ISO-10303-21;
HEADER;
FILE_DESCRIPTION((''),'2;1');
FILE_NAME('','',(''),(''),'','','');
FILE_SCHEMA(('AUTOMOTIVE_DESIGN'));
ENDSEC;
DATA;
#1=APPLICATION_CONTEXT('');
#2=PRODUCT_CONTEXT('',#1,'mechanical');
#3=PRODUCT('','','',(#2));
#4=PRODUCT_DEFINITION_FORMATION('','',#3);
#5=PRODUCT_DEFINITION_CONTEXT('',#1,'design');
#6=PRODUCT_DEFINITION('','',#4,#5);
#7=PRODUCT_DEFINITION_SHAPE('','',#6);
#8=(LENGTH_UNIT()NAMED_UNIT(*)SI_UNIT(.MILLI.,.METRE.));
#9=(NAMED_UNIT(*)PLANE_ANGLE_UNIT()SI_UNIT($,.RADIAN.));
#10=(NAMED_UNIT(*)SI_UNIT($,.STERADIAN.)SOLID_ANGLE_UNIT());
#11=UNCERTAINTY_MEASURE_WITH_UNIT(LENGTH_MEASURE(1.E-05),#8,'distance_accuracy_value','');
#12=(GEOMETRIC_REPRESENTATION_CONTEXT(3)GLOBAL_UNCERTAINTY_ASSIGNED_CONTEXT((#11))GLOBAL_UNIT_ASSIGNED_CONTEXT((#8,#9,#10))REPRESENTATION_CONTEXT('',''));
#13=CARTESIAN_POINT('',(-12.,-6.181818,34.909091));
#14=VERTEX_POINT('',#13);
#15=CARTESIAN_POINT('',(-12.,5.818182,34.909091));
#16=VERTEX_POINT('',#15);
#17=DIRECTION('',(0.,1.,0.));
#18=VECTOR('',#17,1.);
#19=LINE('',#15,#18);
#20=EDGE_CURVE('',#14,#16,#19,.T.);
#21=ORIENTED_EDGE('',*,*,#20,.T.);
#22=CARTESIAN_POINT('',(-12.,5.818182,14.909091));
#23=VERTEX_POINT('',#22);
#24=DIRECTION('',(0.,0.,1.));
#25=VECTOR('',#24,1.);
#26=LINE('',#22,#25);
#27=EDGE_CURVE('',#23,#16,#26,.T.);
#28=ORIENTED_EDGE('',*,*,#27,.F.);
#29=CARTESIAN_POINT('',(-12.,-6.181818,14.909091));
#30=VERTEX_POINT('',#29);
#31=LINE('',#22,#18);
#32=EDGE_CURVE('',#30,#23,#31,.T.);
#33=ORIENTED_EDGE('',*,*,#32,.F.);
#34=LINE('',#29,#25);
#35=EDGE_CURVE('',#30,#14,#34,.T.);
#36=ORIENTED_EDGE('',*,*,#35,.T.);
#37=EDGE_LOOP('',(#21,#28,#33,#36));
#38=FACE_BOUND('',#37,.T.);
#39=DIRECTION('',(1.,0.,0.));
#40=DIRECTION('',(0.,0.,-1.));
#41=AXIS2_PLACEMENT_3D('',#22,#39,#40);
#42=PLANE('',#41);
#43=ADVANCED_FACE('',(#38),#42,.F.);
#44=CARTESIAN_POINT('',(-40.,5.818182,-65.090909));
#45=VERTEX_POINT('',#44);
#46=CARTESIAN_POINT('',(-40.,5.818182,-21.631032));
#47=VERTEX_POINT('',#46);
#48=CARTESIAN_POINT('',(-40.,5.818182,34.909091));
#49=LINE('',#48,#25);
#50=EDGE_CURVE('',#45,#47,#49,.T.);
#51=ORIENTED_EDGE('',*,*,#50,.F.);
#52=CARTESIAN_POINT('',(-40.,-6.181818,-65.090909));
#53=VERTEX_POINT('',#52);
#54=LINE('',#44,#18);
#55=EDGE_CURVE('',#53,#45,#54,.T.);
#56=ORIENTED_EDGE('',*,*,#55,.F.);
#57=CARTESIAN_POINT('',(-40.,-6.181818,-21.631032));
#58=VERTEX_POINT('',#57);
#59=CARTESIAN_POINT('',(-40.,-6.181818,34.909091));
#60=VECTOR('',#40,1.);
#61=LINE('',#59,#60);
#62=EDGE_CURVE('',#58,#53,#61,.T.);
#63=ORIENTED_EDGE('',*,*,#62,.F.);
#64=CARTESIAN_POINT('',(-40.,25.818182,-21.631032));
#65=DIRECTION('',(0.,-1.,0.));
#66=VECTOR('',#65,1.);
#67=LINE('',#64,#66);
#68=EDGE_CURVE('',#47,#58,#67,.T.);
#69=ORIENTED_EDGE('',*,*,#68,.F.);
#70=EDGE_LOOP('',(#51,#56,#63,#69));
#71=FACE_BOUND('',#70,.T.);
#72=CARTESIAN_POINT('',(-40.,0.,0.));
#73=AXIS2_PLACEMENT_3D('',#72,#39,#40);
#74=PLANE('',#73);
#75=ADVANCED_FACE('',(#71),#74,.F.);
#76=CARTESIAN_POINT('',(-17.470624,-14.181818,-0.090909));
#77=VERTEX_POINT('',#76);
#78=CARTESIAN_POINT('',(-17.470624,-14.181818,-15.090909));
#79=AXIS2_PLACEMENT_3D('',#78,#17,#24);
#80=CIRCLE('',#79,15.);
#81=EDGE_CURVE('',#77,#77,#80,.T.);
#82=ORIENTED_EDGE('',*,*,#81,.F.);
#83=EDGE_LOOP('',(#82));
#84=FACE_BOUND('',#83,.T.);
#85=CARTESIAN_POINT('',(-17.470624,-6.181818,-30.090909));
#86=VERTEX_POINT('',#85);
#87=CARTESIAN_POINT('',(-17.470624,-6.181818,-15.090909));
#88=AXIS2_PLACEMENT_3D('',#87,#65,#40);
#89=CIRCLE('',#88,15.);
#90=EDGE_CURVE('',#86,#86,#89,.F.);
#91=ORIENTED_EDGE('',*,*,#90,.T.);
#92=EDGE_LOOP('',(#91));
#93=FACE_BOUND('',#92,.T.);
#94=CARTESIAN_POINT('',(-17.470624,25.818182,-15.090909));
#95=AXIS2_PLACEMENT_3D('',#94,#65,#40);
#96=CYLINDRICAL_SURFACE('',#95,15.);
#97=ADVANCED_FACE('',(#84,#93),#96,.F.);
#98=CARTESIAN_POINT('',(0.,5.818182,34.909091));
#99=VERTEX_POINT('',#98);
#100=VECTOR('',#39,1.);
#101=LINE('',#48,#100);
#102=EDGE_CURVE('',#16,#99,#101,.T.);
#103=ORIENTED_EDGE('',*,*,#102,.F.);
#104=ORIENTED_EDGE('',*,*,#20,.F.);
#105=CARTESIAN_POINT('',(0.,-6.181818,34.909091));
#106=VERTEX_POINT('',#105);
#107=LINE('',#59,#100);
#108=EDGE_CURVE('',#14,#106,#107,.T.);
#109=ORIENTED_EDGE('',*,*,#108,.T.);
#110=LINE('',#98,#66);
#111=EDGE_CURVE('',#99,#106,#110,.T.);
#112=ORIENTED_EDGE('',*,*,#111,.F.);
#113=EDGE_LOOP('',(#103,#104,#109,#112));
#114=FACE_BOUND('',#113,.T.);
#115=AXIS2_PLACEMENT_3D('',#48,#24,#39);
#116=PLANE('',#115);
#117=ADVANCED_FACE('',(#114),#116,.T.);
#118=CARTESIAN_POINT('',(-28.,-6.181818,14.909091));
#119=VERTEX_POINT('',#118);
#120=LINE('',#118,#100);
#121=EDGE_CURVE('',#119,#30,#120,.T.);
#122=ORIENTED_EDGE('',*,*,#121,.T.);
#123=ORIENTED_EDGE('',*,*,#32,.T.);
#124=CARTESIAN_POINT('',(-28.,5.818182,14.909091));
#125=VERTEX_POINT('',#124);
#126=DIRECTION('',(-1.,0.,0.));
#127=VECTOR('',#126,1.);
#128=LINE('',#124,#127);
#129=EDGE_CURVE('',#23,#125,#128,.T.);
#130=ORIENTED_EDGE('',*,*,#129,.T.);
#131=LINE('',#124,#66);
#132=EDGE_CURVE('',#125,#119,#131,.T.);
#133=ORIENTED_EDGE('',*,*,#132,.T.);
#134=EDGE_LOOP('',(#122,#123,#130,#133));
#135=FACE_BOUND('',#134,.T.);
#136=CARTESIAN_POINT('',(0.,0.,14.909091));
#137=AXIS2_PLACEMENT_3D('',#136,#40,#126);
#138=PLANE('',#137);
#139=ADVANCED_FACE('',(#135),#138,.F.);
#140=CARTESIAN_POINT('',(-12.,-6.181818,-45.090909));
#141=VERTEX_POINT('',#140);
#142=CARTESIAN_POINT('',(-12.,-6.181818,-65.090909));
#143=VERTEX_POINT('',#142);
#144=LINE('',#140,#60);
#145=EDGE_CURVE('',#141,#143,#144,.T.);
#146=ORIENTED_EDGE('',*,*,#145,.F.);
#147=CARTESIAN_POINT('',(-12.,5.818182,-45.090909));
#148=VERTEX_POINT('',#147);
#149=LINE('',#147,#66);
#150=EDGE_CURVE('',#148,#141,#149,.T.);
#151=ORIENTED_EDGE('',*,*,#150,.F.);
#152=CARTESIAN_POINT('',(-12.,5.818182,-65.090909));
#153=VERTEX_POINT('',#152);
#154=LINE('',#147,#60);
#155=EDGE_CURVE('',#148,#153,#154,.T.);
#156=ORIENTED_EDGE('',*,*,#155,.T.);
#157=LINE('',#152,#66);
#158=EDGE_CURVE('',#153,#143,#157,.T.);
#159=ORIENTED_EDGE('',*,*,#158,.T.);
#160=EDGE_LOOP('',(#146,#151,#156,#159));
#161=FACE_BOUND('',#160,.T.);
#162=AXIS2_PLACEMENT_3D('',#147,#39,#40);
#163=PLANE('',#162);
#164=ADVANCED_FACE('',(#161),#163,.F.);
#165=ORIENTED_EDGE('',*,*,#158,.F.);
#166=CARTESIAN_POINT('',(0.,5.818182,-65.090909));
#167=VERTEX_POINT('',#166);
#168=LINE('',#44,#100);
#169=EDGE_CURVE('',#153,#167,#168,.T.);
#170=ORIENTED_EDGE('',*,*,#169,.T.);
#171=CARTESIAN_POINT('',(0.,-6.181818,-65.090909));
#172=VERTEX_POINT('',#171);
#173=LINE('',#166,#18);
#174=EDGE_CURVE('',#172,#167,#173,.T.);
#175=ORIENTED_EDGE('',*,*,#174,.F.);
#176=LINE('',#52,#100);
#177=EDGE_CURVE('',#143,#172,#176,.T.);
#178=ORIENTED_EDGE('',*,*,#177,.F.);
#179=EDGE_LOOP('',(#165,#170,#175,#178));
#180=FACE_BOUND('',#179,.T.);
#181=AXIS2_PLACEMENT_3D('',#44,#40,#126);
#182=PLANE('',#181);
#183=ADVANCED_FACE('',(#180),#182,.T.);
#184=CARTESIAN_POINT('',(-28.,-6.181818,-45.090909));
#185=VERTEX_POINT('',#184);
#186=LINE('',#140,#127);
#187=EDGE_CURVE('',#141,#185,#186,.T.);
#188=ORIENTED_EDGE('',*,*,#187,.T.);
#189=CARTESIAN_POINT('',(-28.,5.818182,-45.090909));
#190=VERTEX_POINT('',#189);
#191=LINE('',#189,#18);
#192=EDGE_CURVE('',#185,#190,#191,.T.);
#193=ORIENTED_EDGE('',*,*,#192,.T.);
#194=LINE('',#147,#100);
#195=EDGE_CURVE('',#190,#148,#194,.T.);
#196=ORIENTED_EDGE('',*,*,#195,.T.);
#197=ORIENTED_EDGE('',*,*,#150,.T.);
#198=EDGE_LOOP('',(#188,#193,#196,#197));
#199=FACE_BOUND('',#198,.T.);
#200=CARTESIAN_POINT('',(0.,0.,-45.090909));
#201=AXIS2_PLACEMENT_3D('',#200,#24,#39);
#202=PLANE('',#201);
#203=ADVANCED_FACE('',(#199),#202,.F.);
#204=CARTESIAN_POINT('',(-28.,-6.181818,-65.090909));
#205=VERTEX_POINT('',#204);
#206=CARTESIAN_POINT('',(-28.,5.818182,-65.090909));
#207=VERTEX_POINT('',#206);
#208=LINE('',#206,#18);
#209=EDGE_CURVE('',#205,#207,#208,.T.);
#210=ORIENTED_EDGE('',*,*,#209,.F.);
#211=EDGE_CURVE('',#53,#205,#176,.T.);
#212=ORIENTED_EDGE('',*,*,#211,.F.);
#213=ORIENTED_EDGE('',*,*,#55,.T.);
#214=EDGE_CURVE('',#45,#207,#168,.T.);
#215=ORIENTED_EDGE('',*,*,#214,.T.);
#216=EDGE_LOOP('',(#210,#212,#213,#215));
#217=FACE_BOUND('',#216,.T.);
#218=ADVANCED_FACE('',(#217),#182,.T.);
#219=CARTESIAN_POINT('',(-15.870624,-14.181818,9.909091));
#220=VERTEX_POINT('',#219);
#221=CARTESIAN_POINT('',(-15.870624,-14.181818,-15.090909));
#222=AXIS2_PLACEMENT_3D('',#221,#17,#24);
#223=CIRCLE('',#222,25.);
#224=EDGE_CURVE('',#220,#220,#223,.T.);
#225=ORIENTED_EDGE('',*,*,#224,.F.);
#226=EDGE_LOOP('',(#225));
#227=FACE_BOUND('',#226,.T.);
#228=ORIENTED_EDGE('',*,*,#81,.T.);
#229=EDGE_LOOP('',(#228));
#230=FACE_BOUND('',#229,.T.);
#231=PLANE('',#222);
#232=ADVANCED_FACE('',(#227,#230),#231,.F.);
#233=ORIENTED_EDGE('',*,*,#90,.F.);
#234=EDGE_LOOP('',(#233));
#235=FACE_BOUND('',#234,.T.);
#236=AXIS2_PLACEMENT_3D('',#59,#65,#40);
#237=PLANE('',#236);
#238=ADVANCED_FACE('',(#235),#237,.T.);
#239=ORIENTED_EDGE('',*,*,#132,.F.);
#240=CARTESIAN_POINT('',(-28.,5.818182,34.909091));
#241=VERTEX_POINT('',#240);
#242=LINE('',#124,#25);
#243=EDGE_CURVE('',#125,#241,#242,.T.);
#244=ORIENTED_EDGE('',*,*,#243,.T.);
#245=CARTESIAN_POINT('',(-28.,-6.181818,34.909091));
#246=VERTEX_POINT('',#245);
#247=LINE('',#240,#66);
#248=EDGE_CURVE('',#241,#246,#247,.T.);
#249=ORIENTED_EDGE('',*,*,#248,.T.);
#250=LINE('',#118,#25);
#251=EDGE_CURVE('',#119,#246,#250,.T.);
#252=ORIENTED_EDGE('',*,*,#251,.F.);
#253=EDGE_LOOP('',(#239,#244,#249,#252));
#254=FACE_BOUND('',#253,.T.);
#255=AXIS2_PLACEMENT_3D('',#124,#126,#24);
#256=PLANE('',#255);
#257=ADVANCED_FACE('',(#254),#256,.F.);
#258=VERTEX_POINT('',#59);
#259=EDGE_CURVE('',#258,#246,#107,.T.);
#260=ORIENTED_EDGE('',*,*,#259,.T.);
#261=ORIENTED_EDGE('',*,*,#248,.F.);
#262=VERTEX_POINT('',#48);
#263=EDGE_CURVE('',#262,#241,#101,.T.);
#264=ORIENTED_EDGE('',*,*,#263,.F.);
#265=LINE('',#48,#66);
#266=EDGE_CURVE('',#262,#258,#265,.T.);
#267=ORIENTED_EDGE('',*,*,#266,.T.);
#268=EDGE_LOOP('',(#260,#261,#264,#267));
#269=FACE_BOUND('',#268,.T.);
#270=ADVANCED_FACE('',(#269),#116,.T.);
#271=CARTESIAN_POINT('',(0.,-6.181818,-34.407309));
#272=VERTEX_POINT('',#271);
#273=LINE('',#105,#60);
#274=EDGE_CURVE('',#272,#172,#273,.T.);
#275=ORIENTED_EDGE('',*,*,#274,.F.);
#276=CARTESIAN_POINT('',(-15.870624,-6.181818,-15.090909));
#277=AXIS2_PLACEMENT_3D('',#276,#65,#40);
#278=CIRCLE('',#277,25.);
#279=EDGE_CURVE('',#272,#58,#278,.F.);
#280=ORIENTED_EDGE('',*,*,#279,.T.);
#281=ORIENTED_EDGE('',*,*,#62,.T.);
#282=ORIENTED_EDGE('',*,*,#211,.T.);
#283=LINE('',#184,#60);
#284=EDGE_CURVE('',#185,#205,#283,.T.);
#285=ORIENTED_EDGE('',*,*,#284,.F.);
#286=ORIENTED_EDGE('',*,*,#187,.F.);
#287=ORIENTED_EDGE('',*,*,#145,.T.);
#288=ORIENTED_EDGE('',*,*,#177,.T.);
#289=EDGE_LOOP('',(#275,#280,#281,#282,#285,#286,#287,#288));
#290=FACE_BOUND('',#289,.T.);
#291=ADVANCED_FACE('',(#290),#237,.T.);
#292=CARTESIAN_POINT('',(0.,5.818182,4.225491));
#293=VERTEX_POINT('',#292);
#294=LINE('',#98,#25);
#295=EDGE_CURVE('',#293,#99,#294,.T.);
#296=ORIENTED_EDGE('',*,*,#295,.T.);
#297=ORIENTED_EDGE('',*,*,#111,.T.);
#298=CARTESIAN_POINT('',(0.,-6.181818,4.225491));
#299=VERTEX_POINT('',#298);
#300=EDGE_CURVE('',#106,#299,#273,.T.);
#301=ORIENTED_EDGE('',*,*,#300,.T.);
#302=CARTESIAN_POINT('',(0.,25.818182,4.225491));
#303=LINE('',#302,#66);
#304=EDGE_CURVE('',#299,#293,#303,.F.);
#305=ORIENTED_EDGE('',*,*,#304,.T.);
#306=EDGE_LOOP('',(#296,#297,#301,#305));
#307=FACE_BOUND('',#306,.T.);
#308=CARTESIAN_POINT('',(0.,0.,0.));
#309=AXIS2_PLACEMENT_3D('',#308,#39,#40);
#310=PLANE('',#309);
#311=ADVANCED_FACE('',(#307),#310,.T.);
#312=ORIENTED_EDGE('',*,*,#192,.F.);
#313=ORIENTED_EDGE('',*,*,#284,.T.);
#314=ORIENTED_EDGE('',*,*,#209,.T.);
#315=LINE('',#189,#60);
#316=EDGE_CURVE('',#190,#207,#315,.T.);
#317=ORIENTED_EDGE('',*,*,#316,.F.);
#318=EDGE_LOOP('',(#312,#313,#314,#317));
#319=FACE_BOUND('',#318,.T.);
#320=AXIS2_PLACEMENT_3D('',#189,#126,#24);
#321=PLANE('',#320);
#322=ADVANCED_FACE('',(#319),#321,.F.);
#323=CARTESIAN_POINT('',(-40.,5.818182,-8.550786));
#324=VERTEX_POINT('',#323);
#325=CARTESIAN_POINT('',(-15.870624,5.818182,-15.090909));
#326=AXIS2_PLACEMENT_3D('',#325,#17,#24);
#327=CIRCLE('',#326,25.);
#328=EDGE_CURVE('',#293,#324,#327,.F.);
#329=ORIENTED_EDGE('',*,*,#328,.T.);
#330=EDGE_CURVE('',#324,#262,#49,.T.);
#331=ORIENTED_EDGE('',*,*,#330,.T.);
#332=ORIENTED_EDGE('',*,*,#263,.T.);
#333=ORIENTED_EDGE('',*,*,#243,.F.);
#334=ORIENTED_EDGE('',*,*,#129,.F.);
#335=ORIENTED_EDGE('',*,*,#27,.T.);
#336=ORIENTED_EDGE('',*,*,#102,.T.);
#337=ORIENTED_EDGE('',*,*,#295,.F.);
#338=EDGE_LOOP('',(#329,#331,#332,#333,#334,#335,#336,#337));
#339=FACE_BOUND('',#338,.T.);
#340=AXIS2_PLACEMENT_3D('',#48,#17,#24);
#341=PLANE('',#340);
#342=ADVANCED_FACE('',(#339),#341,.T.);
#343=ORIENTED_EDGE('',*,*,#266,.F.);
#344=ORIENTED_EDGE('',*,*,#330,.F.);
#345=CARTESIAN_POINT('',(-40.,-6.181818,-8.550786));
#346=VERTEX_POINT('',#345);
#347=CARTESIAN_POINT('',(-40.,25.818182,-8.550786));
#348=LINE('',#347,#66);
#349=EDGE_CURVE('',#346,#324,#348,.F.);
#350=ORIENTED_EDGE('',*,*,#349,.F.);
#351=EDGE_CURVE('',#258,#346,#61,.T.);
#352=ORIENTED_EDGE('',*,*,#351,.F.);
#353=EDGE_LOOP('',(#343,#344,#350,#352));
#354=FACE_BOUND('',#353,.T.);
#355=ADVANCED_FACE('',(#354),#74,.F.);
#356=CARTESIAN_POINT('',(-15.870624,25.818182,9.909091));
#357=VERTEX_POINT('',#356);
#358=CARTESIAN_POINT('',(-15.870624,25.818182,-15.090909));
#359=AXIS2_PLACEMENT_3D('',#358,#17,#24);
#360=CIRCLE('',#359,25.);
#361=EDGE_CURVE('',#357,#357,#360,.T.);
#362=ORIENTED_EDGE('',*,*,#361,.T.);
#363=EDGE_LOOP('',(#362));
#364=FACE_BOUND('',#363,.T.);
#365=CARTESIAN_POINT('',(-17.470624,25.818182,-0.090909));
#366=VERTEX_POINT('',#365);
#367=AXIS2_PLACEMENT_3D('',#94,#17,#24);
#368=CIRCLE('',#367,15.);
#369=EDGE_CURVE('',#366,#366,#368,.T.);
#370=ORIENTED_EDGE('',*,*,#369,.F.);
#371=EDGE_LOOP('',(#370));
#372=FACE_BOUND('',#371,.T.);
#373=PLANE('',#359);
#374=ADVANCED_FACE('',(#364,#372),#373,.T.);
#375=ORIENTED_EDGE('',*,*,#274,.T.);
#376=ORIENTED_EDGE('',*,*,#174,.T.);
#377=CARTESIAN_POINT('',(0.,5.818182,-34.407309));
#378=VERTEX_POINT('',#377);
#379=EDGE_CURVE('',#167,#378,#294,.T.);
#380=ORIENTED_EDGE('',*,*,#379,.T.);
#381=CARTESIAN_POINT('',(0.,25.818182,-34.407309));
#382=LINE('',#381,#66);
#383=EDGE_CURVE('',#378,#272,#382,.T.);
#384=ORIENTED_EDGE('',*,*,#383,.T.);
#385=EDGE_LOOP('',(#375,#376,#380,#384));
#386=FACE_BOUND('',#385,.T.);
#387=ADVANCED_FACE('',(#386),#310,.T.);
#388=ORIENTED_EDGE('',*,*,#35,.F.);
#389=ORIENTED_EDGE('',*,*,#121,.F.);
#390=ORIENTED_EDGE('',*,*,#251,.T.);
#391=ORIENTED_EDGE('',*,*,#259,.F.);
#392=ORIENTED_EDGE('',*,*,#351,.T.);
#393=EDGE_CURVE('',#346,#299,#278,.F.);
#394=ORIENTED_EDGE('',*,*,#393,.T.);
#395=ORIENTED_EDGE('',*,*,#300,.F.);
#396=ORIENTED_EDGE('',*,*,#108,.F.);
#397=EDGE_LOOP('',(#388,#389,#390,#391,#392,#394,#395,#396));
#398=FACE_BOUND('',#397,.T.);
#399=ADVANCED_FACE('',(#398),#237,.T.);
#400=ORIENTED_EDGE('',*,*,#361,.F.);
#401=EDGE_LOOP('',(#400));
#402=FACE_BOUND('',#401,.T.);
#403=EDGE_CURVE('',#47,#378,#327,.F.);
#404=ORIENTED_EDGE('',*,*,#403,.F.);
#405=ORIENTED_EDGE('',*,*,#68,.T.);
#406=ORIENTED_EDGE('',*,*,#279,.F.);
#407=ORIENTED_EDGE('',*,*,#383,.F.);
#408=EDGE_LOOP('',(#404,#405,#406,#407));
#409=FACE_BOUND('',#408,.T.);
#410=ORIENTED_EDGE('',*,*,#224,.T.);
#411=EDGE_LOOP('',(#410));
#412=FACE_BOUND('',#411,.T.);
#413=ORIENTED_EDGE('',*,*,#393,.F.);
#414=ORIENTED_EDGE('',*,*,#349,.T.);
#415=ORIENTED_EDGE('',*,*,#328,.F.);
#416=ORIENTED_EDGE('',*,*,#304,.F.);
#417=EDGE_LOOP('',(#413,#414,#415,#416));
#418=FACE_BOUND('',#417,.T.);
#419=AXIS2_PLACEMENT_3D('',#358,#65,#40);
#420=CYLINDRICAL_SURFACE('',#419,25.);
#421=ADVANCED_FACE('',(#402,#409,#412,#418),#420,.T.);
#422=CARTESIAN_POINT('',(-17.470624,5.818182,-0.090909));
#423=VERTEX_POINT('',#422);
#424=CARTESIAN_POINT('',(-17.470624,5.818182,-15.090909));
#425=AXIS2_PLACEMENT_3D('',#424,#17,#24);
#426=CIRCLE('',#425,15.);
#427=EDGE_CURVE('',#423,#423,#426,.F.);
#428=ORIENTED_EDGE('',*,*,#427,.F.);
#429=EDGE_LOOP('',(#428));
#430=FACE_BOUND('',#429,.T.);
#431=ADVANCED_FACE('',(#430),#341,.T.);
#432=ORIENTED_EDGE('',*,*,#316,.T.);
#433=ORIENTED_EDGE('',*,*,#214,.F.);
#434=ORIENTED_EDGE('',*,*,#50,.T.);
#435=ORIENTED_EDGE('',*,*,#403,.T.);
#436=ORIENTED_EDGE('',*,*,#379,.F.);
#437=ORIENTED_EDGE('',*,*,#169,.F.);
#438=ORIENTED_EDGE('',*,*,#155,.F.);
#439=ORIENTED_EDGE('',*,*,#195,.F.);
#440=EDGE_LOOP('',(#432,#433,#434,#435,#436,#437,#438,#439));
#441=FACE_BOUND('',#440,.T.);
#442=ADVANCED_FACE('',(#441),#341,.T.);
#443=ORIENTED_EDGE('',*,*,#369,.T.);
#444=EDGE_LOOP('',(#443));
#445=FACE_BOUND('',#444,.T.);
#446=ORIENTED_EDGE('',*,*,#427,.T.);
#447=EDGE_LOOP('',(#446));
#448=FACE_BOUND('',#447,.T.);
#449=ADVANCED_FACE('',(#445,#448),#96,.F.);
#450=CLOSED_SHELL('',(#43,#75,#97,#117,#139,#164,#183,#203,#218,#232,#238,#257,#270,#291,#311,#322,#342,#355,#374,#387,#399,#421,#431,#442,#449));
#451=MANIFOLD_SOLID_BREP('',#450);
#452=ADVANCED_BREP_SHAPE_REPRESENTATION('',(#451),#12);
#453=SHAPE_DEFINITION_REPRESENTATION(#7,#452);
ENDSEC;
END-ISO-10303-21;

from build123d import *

# Parameters (mm, degrees)
SKETCH1_W           = 100
SKETCH1_H           = 12
BOSS_EXTRUDE1_DEPTH = 40
SKETCH3_R           = 25
SKETCH3_R_2         = 15
BOSS_EXTRUDE3_DEPTH = 20
SKETCH8_W           = 16
SKETCH8_H           = 12
CUT_EXTRUDE3_DEPTH  = 20
SKETCH9_W           = 16
SKETCH9_H           = 12
CUT_EXTRUDE4_DEPTH  = 20


with BuildPart() as part:
    # Sketch1 → Boss-Extrude1 (new body)
    with BuildSketch(Plane(origin=(0, 0, 0), x_dir=(0, 0, -1), z_dir=(1, 0, 0))):
        with Locations((15.090909091, -0.181818182)):
            Rectangle(SKETCH1_W, SKETCH1_H)
    extrude(amount=-BOSS_EXTRUDE1_DEPTH)

    # Sketch3 → Boss-Extrude3 (add, symmetric)
    with BuildSketch(Plane(origin=(0, 5.818181818, 0), x_dir=(1, 0, 0), z_dir=(0, 1, 0))):
        with Locations((-15.870623847, 15.090909091)):
            Circle(SKETCH3_R)
        with Locations((-17.470623847, 15.090909091)):
            Circle(SKETCH3_R_2, mode=Mode.SUBTRACT)
    extrude(amount=BOSS_EXTRUDE3_DEPTH, both=True)

    # Sketch8 → Cut-Extrude3 (cut)
    with BuildSketch(Plane.XY.offset(34.909090909)):
        with Locations((-20, -0.181818182)):
            Rectangle(SKETCH8_W, SKETCH8_H)
    extrude(amount=-CUT_EXTRUDE3_DEPTH, mode=Mode.SUBTRACT)

    # Sketch9 → Cut-Extrude4 (cut)
    with BuildSketch(Plane(origin=(0, 0, -65.090909091), x_dir=(-1, 0, 0), z_dir=(0, 0, -1))):
        with Locations((20, -0.181818182)):
            Rectangle(SKETCH9_W, SKETCH9_H)
    extrude(amount=-CUT_EXTRUDE4_DEPTH, mode=Mode.SUBTRACT)


solid = part.part
